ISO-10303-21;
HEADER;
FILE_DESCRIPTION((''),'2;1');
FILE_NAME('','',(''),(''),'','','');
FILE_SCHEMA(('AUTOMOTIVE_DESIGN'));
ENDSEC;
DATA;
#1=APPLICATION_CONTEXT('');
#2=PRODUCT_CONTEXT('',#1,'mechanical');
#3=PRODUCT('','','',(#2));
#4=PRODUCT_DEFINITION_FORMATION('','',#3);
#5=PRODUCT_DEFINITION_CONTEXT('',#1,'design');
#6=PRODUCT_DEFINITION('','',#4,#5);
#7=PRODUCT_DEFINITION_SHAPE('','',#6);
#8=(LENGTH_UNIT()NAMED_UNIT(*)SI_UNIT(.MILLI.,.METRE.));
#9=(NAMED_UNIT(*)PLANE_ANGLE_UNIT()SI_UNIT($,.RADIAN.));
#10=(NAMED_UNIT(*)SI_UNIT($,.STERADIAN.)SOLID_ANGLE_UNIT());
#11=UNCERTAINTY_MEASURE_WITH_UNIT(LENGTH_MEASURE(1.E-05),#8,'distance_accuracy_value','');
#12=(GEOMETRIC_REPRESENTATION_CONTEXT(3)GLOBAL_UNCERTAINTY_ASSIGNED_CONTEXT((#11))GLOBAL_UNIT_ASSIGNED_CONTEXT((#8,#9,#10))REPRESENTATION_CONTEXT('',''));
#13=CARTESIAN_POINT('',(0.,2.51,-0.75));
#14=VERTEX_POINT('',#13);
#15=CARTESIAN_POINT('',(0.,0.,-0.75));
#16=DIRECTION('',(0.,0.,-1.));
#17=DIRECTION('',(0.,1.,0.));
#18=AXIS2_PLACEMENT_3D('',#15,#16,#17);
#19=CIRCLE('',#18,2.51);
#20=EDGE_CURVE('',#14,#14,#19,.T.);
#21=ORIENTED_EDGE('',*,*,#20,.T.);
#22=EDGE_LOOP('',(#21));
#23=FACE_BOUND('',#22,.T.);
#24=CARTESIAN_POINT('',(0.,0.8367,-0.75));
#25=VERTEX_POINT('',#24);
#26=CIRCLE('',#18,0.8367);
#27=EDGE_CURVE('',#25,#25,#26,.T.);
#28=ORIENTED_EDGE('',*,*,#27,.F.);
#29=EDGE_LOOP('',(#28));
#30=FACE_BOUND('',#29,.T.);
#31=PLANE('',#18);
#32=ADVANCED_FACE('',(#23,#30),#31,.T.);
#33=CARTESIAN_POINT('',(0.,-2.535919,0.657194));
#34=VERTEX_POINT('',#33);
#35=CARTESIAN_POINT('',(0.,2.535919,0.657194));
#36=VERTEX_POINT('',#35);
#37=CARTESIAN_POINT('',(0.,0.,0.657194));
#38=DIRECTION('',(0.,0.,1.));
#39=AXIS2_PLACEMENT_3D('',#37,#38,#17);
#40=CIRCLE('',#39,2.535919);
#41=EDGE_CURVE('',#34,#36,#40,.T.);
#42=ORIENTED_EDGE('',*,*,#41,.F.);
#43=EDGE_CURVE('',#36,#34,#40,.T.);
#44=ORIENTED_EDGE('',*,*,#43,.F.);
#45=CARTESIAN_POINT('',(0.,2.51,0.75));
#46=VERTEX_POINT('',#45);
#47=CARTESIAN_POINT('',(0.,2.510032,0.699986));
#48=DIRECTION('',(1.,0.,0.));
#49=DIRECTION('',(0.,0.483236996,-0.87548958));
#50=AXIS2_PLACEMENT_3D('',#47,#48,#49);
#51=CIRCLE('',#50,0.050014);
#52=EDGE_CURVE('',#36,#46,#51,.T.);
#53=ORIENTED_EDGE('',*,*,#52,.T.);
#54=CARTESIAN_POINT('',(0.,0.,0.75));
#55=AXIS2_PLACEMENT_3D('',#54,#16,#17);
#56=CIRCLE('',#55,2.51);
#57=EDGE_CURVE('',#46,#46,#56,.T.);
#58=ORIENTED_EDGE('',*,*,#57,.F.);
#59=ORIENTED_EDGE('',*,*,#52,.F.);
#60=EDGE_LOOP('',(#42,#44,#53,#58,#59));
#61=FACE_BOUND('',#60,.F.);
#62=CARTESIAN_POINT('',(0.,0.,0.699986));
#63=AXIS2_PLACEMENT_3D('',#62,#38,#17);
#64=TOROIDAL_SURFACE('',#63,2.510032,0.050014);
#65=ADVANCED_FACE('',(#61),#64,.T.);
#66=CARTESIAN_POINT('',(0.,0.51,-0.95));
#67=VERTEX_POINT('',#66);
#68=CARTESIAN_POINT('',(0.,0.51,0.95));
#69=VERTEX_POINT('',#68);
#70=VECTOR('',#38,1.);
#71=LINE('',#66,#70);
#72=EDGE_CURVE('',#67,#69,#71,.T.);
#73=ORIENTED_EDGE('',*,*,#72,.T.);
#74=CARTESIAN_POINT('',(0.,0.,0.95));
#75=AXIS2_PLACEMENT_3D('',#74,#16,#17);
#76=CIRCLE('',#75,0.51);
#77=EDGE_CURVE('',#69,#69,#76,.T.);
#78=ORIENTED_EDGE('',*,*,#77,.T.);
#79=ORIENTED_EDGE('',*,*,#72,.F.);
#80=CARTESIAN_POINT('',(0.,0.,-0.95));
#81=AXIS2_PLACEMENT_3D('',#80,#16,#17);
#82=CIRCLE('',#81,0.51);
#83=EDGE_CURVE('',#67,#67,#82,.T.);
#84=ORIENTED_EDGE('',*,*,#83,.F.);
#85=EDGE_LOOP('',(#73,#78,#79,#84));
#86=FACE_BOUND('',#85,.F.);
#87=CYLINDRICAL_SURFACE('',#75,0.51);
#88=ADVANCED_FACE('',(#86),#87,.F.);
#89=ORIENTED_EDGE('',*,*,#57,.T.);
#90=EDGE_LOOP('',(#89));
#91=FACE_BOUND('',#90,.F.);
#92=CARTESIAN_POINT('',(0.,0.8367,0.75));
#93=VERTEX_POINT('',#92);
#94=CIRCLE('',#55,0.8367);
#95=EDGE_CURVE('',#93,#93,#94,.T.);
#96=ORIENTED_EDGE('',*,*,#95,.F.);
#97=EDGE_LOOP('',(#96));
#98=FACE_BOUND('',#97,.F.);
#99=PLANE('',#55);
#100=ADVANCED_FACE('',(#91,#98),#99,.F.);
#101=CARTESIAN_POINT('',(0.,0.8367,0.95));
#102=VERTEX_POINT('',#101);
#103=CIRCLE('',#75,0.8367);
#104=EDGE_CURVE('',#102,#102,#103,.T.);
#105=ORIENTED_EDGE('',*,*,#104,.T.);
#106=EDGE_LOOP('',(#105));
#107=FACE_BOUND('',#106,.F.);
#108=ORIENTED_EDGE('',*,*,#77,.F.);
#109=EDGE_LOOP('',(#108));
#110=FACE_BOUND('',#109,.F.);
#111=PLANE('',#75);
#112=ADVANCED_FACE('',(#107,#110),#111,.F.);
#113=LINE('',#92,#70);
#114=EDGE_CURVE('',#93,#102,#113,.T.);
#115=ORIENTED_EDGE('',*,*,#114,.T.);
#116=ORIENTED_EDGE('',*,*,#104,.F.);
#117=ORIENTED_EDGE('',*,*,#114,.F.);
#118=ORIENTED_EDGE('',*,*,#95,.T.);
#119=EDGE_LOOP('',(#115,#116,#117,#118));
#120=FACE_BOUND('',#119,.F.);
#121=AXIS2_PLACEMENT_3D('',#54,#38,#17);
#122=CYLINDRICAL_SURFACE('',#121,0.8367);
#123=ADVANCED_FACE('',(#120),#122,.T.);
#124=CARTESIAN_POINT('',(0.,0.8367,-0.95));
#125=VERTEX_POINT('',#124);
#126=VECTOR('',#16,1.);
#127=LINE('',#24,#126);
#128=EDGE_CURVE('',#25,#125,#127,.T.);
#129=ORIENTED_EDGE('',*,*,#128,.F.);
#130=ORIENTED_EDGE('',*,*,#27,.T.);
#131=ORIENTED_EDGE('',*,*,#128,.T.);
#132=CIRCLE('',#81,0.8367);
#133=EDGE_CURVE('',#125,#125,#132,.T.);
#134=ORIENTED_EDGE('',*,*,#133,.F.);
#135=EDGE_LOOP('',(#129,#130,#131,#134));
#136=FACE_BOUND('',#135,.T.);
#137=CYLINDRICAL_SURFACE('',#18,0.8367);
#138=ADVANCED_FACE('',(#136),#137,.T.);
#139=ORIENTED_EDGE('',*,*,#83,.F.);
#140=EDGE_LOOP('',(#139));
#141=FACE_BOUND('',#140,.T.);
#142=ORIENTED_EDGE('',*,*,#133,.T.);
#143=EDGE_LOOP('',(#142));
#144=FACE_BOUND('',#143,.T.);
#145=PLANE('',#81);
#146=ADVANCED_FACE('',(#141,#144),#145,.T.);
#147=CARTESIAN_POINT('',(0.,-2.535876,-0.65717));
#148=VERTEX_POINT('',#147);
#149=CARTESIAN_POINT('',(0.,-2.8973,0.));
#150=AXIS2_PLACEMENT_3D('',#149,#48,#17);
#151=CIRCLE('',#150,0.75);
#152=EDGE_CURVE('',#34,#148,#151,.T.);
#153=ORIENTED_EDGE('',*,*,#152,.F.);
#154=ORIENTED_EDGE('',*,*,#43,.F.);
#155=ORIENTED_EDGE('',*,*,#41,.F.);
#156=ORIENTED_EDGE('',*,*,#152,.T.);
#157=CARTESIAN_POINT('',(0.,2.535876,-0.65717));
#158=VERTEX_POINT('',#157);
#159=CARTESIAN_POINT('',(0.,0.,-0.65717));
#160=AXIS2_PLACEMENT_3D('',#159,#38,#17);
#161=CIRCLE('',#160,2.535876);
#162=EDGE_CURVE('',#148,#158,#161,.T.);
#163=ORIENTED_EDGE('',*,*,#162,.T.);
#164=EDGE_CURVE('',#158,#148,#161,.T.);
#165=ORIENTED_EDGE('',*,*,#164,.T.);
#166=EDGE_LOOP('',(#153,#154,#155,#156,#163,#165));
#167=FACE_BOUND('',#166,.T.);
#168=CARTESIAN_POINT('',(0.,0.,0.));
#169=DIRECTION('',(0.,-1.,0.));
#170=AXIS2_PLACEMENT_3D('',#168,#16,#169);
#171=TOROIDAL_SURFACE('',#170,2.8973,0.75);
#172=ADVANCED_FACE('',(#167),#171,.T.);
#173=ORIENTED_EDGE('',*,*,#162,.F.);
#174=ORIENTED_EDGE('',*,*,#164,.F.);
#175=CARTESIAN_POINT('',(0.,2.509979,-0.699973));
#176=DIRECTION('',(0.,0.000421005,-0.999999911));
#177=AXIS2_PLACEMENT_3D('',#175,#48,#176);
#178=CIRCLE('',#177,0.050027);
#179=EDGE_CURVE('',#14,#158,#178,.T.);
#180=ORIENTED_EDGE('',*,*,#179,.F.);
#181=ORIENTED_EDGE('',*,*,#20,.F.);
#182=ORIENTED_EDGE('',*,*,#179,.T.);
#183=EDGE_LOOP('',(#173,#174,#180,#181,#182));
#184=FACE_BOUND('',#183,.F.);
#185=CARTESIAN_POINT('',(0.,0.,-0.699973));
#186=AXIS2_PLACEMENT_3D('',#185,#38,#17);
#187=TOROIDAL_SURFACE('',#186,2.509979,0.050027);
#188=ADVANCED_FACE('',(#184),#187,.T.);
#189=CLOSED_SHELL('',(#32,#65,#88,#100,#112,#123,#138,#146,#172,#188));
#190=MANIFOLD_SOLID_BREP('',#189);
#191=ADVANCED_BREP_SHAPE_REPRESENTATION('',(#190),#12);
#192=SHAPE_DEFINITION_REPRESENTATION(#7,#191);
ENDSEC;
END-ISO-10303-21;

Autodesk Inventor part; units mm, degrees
ref_plane "YZ Plane" through (0, 0, 0) normal (1, 0, 0) x (0, 1, 0)
ref_plane "XZ Plane" through (0, 0, 0) normal (0, 1, 0) x (-1, 0, 0)
ref_plane "XY Plane" through (0, 0, 0) normal (0, 0, 1) x (1, 0, 0)
sketch "Эскиз1" plane through (0, 0, 0) normal (1, 0, 0) x (0, 1, 0)
  line L0 (0, 0.95) -> (0, -0.95)
  line L1 (0, 0) -> (5, 0) construction
  arc A0 (2.5342, 0.6562) -> (2.5342, -0.6562) centre (2.8973, 0) ccw
  line L2 (2.8973, 0.75) -> (2.8973, -0.75)
  line L3 (2.51, 0.75) -> (0, 0.75)
  line L4 (2.51, -0.75) -> (0, -0.75)
  arc A1 (2.5342, 0.6562) -> (2.51, 0.75) centre (2.51, 0.7) ccw
  arc A2 (2.51, -0.75) -> (2.5342, -0.6562) centre (2.51, -0.7) ccw
  line L5 (0.8367, 0.75) -> (0.8367, 0.95)
  line L6 (0.8367, 0.95) -> (0, 0.95)
  line L7 (0.8367, -0.75) -> (0.8367, -0.95)
  line L8 (0.8367, -0.95) -> (0, -0.95)
  line L9 (0.51, 0.95) -> (0.51, -0.95)
  point P0 (0.51, 0.75)
  point P1 (0.51, -0.75)
  dimension "d0" = 1.9
  dimension "d1" = 5
  dimension "d2" = 1.5
  dimension "d3" = 0.05
  dimension "d4" = 0.8367
  dimension "d5" = 2.51
  dimension "d6" = 0.51
revolve "Вращение1" add sketch "Эскиз1" angle 360 about axis through (0, 0, 0.95) along (0, 0, -1) contours L6 L5 L3 L9 | L3 A1 A0 A2 L4 L9 | L4 L7 L8 L9
sketch "Эскиз2" plane through (0, 0, 0) normal (1, 0, 0) x (0, 1, 0)
  arc A0 (-2.5342, -0.6563) -> (-2.5342, 0.6562) centre (-2.8973, 0) ccw projected
  circle A1 centre (-2.8973, 0) radius 0.75
  line L0 (0, 1.33) -> (0, -1.33) projected
  point P0 (0, 0)
  point P1 (-2.5342, 0.6562)
  point P2 (-3.6473, 0)
  dimension "d8" = 1.5
revolve "Вращение2" add sketch "Эскиз2" angle 360 about axis through (0, 0, 0) along (0, 0, -1)
sketch "Эскиз3" plane through (0, 0, -0.75) normal (0, 0, -1) x (-1, 0, 0)
  circle A0 centre (0, 0) radius 3.6473 projected
  point P0 (0, 0)
equation "\"d4\" = 0.333333 * d5"
properties part number "sub_wheel"
